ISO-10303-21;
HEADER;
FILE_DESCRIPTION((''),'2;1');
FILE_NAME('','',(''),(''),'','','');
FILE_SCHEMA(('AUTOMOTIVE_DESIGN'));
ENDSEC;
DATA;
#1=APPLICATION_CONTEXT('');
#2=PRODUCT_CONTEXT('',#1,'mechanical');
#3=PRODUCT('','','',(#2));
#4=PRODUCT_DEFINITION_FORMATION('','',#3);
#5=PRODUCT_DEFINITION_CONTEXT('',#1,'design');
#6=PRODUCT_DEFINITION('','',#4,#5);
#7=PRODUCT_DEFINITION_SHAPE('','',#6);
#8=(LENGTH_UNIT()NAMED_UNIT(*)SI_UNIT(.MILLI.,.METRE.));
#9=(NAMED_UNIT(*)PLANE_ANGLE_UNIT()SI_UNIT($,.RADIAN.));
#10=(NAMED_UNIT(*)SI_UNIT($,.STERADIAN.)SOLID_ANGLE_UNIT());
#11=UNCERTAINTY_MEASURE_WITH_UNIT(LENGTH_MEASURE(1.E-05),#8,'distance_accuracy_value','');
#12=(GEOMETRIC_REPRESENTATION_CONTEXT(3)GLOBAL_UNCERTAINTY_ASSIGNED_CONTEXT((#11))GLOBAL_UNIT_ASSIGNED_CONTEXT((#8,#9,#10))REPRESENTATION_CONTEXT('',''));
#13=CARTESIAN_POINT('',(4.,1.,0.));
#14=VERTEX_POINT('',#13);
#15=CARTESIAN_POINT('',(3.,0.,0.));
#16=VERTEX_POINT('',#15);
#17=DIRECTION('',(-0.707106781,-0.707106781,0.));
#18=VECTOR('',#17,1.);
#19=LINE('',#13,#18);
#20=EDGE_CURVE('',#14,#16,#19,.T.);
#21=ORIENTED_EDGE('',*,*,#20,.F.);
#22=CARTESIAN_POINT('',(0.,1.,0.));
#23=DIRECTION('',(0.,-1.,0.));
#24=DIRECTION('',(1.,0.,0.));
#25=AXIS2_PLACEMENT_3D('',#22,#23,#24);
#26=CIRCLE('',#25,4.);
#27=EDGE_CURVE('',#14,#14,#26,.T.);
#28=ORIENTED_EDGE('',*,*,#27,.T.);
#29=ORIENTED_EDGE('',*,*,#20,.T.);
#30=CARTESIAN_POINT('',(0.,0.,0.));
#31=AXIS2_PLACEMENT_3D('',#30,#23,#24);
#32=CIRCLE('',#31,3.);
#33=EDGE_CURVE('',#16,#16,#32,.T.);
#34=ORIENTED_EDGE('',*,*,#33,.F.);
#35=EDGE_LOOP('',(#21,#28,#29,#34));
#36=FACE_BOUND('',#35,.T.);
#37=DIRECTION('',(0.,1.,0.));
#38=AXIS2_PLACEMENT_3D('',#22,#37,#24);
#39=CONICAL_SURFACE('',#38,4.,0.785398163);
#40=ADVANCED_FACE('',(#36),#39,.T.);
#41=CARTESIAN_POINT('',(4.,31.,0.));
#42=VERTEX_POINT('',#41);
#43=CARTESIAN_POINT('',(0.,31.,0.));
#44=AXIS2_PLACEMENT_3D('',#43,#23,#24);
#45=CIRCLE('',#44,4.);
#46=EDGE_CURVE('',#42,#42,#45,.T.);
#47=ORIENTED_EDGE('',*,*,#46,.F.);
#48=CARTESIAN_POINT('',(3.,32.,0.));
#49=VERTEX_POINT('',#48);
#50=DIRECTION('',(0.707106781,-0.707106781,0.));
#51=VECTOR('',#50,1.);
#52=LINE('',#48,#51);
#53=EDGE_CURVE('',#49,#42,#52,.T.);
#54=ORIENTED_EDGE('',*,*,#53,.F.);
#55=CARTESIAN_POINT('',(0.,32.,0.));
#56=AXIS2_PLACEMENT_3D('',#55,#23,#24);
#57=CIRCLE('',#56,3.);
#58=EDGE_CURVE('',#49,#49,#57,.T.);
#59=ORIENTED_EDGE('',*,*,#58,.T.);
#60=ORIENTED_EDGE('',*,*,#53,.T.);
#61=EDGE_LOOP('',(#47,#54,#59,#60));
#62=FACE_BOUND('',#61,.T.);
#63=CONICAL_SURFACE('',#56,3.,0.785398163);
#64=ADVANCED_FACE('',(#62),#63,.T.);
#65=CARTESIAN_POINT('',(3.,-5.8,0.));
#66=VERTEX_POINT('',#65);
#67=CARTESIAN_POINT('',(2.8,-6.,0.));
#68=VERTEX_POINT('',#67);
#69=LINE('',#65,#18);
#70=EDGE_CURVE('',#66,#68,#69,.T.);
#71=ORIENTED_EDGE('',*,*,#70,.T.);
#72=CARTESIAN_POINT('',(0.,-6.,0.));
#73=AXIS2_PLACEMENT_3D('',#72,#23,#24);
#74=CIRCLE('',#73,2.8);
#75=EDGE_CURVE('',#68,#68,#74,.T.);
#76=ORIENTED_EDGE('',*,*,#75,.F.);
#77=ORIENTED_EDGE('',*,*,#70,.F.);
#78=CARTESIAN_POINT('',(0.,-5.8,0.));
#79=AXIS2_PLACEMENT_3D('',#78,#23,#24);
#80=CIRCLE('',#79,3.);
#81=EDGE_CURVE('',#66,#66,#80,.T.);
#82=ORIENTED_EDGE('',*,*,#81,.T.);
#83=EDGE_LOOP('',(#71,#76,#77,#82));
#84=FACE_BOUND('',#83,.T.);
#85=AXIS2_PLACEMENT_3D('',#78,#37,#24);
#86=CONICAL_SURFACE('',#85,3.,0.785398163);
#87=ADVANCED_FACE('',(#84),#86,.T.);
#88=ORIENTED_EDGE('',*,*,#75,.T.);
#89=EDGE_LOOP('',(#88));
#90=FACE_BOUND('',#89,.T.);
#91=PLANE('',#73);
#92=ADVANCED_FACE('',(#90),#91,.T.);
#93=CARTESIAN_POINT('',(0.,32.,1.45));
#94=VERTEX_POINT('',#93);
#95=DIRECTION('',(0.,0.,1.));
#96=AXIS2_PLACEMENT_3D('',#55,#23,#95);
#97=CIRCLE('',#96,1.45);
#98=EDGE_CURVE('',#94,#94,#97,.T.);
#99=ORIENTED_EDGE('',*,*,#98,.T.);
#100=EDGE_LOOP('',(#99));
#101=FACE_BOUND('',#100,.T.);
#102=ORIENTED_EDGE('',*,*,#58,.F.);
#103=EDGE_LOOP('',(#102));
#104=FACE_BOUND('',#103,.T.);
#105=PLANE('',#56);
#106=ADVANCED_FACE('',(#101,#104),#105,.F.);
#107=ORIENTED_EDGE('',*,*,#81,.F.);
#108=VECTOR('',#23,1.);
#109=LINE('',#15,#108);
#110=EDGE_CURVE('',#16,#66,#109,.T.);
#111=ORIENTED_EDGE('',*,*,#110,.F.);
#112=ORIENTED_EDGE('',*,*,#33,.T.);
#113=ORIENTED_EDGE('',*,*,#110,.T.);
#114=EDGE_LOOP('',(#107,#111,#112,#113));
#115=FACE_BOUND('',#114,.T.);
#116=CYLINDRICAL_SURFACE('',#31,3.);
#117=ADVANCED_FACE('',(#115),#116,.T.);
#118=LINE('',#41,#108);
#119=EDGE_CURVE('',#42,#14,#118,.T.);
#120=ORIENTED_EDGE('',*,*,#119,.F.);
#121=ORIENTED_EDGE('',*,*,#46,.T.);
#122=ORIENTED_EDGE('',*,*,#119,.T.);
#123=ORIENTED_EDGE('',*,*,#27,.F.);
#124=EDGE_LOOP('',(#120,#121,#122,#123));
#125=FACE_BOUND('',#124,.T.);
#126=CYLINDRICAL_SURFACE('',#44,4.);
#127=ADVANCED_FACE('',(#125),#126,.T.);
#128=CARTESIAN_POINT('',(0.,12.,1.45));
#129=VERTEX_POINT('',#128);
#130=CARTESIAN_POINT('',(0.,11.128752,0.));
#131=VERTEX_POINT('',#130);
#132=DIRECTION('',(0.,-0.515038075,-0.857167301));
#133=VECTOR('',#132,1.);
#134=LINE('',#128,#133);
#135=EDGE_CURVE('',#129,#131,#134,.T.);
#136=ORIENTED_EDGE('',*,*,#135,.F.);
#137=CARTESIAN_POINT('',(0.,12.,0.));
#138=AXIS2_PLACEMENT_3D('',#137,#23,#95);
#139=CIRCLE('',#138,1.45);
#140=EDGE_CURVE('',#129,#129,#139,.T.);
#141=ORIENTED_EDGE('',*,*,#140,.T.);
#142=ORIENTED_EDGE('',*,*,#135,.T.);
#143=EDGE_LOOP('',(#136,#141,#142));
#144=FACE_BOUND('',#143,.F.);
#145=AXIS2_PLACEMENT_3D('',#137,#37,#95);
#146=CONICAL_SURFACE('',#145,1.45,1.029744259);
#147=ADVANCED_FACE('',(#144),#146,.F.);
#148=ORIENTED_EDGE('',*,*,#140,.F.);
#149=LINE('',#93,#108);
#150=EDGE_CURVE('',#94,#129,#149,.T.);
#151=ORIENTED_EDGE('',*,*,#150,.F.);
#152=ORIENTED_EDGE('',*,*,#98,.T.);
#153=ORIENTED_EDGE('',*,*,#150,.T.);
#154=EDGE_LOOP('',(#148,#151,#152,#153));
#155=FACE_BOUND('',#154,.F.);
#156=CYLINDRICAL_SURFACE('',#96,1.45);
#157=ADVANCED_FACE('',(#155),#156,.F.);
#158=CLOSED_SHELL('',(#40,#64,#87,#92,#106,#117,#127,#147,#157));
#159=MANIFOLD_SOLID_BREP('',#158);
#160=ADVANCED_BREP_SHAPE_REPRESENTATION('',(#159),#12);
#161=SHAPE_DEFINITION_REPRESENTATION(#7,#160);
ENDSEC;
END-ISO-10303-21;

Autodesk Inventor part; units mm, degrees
sketch "Sketch_1" plane through (0, 0, 0) normal (0, 0, 1) x (1, 0, 0)
  line L0 (0, -38) -> (0, 38)
  line L1 (0, 32) -> (3, 32)
  line L2 (3, 32) -> (4, 31)
  line L3 (4, 31) -> (4, 1)
  line L4 (4, 1) -> (3, 0)
  line L5 (3, 0) -> (3, -5.8)
  line L6 (3, -5.8) -> (2.8, -6)
  line L7 (2.8, -6) -> (0, -6)
  line L8 (0, -6) -> (0, 32)
revolve "Revolution1" add sketch "Sketch_1" angle 360 about axis through (0, -38, 0) along (0, -1, 0)
thread "Thread1" size "M8x1" class "6g" standard "ISO Metric profile" full length
sketch "Sketch2" plane through (0, 32, 0) normal (0, 1, 0) x (1, 0, 0)
  point P0 (0, 0)
hole "Hole1" at (0, 32, 0) direction (0, -1, 0) diameter 2.9 depth 20 tip angle 118
ref_plane "to_cap_XY" through (0, 38, 0) normal (0, -1, 0) x (1, 0, 0)
ref_plane "to_cap_YZ" through (0, 38, 0) normal (1, 0, 0) x (0, 0, 1)
ref_plane "to_cap_ZX" through (0, 38, 0) normal (0, 0, 1) x (0, -1, 0)
ref_plane "to_nut1_XY" through (0, 7, 0) normal (0, -1, 0) x (1, 0, 0)
ref_plane "to_nut1_YZ" through (0, 7, 0) normal (1, 0, 0) x (0, 0, 1)
ref_plane "to_nut1_ZX" through (0, 7, 0) normal (0, 0, 1) x (0, -1, 0)
ref_plane "to_nut2_XY" through (0, 23, 0) normal (0, -1, 0) x (1, 0, 0)
ref_plane "to_nut2_YZ" through (0, 23, 0) normal (1, 0, 0) x (0, 0, 1)
ref_plane "to_nut2_ZX" through (0, 23, 0) normal (0, 0, 1) x (0, -1, 0)
ref_plane "to_rod_XY" through (0, 32, 0) normal (0, 1, 0) x (1, 0, 0)
ref_plane "to_rod_YZ" through (0, 32, 0) normal (1, 0, 0) x (0, 0, -1)
ref_plane "to_rod_ZX" through (0, 32, 0) normal (0, 0, -1) x (0, 1, 0)
ref_plane "to_washers_1_XY" through (0, 15, 0) normal (0, 1, 0) x (1, 0, 0)
ref_plane "to_washers_1_YZ" through (0, 15, 0) normal (1, 0, 0) x (0, 0, -1)
ref_plane "to_washers_1_ZX" through (0, 15, 0) normal (0, 0, -1) x (0, 1, 0)
ref_plane "to_washers_2_XY" through (0, 17, 0) normal (0, -1, 0) x (1, 0, 0)
ref_plane "to_washers_2_YZ" through (0, 17, 0) normal (1, 0, 0) x (0, 0, 1)
ref_plane "to_washers_2_ZX" through (0, 17, 0) normal (0, 0, 1) x (0, -1, 0)
properties part number "C-AC0806M_b"
